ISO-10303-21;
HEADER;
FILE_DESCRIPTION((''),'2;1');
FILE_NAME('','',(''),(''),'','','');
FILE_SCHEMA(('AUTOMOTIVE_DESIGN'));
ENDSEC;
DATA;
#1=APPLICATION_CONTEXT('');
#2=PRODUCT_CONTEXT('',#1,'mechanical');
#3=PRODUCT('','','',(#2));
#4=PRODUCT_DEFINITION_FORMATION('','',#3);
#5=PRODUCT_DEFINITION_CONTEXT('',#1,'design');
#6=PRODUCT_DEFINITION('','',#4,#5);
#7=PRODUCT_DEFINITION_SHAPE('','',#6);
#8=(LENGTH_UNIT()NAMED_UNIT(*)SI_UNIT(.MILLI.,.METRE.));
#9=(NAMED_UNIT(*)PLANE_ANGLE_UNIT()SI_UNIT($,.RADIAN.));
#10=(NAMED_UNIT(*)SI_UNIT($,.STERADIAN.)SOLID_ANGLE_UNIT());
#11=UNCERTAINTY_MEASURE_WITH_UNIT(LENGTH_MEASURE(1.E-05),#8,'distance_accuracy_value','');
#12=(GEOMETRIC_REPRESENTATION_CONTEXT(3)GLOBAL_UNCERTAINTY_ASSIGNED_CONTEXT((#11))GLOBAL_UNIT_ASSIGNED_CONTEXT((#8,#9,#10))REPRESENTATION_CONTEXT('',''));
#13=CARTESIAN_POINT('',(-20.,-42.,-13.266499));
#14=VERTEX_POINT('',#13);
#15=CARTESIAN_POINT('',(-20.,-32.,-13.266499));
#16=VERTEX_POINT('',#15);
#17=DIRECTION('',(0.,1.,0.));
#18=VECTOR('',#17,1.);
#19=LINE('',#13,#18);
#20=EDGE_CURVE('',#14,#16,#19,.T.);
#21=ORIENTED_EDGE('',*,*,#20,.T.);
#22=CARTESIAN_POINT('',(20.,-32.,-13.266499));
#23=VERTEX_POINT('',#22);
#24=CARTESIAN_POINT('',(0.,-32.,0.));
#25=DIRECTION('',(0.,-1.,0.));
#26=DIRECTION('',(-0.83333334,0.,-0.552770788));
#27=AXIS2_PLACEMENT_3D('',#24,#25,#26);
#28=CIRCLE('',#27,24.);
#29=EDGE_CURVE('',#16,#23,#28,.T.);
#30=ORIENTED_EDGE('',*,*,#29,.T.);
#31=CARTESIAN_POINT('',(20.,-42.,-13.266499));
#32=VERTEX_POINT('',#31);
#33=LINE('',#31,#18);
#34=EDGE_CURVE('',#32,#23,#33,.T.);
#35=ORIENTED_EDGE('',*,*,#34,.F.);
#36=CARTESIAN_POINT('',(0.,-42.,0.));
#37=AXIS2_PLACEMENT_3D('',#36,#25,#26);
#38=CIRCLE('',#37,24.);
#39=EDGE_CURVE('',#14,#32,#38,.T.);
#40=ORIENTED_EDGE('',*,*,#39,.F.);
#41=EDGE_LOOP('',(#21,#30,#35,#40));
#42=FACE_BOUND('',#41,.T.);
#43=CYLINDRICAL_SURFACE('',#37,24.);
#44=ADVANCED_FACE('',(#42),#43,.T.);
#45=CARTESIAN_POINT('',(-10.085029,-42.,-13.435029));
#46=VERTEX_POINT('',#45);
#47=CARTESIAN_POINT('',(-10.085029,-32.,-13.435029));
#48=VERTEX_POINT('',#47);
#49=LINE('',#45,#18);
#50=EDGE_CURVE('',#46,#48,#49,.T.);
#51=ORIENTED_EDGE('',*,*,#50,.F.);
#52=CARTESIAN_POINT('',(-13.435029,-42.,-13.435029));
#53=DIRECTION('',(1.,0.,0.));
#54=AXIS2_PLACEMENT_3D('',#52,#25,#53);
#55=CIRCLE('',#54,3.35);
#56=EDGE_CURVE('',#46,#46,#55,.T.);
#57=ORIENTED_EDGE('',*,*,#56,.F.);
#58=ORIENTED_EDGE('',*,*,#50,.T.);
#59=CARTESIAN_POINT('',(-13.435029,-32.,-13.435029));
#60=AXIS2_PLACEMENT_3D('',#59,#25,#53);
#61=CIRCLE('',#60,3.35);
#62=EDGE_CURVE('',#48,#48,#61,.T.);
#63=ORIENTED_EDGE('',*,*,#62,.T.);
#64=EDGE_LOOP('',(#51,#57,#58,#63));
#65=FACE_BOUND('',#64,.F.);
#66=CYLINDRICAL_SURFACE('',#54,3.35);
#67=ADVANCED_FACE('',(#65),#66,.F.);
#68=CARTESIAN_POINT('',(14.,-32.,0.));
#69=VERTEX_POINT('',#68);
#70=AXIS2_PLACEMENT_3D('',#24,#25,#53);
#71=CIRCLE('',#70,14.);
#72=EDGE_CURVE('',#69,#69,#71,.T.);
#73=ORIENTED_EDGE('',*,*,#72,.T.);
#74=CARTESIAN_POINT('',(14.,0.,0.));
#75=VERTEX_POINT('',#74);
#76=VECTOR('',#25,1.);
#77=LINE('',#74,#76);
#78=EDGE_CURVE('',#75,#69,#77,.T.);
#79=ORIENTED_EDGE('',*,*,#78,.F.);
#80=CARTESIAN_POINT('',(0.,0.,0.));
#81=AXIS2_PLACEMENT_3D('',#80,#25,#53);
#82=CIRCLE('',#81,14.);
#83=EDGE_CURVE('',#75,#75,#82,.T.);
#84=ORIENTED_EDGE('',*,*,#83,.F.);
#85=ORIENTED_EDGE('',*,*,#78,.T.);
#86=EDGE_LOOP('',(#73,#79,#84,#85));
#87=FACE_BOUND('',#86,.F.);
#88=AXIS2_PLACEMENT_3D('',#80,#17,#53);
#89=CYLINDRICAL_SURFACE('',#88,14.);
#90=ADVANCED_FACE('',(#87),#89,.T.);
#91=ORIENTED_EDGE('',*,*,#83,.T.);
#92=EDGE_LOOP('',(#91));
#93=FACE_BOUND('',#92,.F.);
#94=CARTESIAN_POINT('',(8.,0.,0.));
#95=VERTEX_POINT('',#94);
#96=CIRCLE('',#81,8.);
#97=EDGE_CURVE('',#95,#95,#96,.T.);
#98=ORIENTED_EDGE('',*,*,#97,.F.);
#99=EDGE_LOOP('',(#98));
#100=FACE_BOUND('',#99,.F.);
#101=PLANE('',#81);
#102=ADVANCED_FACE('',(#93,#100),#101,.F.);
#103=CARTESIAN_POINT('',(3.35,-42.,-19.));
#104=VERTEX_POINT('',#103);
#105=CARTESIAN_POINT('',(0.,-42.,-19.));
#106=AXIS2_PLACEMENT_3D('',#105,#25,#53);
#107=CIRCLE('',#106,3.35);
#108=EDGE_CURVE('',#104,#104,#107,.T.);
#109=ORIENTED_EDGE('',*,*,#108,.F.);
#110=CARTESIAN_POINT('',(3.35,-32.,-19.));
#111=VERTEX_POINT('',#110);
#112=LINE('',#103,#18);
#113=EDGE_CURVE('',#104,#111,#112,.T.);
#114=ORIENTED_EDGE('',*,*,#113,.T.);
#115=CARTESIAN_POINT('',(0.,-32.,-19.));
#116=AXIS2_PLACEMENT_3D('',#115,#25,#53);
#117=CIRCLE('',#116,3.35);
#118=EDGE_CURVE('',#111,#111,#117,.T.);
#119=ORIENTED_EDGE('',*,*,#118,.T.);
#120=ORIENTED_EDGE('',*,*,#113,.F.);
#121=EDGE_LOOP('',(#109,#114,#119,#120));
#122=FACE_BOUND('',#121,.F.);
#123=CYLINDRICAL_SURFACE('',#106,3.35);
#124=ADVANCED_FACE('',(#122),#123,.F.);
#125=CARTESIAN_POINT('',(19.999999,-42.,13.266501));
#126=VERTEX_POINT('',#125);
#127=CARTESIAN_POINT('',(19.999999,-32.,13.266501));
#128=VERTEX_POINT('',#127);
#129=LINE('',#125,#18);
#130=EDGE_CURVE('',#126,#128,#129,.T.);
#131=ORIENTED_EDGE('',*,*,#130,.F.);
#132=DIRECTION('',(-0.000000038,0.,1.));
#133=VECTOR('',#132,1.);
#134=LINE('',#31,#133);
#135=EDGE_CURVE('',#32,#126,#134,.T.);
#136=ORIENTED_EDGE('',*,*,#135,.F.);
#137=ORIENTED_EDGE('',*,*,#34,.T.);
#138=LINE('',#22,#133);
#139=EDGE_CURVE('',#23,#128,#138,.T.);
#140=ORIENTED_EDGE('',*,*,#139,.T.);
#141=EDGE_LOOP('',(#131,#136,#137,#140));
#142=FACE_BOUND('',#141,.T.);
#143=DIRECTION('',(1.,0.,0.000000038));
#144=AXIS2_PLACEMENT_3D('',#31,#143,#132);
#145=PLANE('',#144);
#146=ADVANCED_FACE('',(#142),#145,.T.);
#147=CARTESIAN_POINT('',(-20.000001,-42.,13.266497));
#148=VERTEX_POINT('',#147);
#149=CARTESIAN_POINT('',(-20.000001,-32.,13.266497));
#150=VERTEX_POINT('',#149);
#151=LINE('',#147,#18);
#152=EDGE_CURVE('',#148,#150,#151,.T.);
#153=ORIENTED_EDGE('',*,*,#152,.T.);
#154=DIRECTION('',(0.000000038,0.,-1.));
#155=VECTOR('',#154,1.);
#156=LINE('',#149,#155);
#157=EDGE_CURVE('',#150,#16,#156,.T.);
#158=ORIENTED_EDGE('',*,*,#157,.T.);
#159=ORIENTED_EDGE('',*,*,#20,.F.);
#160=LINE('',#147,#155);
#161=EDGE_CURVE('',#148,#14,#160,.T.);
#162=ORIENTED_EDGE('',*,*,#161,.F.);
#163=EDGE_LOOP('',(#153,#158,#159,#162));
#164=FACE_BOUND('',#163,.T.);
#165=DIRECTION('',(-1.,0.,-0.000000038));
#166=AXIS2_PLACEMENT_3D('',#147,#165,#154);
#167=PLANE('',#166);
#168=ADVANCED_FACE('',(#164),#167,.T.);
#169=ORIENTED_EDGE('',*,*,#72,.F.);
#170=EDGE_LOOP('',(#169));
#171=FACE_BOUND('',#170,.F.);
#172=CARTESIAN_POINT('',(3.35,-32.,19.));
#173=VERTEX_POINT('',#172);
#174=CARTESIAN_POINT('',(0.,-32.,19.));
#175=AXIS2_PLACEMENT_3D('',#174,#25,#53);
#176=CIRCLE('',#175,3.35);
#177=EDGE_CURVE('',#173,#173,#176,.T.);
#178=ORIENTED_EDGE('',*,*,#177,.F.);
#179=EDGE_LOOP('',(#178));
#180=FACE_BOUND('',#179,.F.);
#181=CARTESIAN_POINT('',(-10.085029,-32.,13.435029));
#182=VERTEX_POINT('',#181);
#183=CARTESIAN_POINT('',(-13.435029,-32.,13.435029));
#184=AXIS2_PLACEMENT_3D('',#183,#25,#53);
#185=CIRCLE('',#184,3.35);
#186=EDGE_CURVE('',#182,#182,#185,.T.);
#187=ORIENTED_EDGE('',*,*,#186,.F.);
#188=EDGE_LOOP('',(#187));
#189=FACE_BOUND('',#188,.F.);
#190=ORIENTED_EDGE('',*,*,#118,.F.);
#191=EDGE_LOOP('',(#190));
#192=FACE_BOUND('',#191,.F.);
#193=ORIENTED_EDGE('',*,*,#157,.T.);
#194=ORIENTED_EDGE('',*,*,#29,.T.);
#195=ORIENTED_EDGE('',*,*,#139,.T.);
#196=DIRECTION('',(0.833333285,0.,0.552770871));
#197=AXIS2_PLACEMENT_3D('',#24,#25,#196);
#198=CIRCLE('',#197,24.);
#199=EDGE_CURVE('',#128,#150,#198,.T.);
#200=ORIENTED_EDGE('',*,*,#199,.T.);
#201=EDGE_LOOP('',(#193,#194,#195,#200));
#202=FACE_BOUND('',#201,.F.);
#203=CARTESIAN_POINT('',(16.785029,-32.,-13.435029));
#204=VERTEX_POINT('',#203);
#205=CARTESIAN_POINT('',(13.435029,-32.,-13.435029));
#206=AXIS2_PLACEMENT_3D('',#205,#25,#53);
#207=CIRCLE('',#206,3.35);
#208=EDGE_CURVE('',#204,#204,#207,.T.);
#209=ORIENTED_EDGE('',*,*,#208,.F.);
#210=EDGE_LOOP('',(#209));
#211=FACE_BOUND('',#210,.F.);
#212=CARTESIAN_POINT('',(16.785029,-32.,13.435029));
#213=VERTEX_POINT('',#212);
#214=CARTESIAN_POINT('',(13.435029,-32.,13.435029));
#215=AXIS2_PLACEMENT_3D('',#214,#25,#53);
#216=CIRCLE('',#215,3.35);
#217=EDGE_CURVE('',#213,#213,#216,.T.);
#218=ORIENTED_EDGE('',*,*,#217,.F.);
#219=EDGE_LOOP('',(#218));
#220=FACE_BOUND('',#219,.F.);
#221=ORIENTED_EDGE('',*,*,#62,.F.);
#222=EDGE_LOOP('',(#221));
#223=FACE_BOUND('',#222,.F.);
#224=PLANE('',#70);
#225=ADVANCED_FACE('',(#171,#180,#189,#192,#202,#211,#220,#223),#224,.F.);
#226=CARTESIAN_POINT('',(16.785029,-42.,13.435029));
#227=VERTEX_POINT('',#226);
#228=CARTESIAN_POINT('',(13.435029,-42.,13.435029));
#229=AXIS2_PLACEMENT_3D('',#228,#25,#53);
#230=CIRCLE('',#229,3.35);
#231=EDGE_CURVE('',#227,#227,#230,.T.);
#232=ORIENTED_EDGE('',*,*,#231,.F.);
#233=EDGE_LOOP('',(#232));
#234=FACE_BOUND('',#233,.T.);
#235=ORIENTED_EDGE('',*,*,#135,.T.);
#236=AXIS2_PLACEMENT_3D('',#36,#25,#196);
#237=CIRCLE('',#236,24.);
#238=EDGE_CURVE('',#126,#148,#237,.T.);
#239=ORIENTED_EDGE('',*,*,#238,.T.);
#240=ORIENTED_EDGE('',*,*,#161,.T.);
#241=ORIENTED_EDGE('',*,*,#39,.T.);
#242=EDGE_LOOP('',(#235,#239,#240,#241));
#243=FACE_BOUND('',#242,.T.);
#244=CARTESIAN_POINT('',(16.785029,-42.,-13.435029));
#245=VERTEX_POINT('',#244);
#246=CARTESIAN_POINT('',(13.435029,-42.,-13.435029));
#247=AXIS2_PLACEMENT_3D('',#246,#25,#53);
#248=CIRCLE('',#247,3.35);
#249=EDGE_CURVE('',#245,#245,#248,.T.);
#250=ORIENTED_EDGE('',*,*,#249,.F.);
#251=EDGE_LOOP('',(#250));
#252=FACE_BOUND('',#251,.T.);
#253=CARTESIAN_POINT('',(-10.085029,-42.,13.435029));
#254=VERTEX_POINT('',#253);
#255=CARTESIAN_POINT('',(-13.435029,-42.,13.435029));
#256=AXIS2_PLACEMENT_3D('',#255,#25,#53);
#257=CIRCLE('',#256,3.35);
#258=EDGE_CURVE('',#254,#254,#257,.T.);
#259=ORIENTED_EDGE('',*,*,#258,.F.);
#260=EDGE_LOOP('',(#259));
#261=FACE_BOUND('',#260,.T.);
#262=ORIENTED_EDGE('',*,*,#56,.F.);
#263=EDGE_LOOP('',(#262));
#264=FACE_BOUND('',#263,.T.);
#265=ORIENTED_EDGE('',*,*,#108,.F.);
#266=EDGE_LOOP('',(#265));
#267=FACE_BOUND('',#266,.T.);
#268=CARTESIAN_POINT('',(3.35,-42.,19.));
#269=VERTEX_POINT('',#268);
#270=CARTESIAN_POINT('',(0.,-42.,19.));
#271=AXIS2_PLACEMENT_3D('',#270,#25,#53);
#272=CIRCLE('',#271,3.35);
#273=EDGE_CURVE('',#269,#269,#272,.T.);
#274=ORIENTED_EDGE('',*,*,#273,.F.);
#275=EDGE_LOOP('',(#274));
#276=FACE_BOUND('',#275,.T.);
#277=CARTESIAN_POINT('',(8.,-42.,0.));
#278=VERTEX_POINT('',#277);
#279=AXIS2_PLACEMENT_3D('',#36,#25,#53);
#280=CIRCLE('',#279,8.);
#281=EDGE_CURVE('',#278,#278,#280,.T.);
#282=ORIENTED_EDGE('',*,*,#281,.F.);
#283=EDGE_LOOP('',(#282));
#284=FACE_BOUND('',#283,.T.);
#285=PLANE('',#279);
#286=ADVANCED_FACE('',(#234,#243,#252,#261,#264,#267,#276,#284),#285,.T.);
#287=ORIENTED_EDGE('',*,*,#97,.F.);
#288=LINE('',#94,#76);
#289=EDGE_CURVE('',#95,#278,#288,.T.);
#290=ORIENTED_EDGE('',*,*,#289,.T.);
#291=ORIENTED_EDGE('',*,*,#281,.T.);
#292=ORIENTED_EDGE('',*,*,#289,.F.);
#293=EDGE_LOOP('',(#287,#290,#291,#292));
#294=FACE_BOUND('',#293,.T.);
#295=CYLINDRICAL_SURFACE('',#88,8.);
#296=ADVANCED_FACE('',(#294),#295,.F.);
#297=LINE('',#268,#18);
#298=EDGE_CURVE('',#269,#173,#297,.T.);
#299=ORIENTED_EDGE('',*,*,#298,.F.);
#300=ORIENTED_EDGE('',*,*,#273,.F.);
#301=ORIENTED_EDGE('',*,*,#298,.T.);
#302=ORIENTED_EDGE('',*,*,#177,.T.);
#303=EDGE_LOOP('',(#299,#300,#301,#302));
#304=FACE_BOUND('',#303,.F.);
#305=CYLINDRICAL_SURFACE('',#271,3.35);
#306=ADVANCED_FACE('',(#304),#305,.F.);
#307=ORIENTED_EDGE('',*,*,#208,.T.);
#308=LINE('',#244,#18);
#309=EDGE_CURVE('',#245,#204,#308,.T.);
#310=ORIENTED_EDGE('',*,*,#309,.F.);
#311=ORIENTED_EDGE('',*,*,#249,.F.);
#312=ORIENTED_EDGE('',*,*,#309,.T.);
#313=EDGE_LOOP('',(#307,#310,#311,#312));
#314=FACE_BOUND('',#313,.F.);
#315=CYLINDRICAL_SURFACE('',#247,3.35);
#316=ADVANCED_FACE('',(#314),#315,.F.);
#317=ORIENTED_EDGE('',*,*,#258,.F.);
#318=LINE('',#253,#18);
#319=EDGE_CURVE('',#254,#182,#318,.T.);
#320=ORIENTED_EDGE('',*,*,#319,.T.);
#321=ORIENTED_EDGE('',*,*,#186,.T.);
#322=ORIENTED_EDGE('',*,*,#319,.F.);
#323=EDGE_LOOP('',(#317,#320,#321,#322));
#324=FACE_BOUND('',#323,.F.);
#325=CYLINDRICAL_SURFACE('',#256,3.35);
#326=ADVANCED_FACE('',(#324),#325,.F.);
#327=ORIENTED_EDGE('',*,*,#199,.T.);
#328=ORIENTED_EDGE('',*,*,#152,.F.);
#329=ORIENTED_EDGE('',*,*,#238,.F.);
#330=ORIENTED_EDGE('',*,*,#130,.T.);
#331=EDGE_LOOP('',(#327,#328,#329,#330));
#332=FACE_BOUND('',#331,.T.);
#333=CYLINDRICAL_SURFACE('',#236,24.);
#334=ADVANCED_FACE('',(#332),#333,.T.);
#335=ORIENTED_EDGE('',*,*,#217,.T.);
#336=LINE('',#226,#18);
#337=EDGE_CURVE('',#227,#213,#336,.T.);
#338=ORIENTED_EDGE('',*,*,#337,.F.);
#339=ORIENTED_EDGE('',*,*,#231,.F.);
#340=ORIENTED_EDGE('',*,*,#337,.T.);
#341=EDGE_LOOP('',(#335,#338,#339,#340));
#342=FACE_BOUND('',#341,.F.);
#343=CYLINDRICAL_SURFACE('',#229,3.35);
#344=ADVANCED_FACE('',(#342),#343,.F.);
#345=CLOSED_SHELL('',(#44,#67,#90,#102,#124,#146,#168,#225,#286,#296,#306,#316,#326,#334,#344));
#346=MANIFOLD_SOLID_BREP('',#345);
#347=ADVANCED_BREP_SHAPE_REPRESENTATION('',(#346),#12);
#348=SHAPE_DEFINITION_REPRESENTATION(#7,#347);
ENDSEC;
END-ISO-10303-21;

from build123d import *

# Parameters (mm, degrees)
F0_R     = 14
F0_R_2   = 8
F1_DEPTH = 42
F2_R     = 14
F2_R_2   = 8
F2_R_3   = 3.35
F3_DEPTH = 10


with BuildPart() as f1:
    # F0 (on Front) → F1 (new body)
    with BuildSketch(Plane.XZ):
        Circle(F0_R)
        Circle(F0_R_2, mode=Mode.SUBTRACT)
    extrude(amount=F1_DEPTH)

    # F2 (on face) → F3 (join)
    with BuildSketch(Plane.XZ.offset(42)):
        Circle(F2_R)
        Circle(F2_R_2, mode=Mode.SUBTRACT)
        with BuildLine():
            Line((-20.000001, 13.266497), (-20, -13.266499))
            ThreePointArc((-20, -13.266499), (0, -24), (20, -13.266499))
            Line((20, -13.266499), (19.999999, 13.266501))
            ThreePointArc((19.999999, 13.266501), (-2e-06, 24), (-20.000001, 13.266497))
        make_face()
        with Locations((-13.435029, -13.435029)):
            Circle(F2_R_3, mode=Mode.SUBTRACT)
        with Locations((0, -19)):
            Circle(F2_R_3, mode=Mode.SUBTRACT)
        with Locations((13.435029, -13.435029)):
            Circle(F2_R_3, mode=Mode.SUBTRACT)
        Circle(F2_R, mode=Mode.SUBTRACT)
        with Locations((-13.435029, 13.435029)):
            Circle(F2_R_3, mode=Mode.SUBTRACT)
        with Locations((0, 19)):
            Circle(F2_R_3, mode=Mode.SUBTRACT)
        with Locations((13.435029, 13.435029)):
            Circle(F2_R_3, mode=Mode.SUBTRACT)
    extrude(amount=-F3_DEPTH)


solid = f1.part
